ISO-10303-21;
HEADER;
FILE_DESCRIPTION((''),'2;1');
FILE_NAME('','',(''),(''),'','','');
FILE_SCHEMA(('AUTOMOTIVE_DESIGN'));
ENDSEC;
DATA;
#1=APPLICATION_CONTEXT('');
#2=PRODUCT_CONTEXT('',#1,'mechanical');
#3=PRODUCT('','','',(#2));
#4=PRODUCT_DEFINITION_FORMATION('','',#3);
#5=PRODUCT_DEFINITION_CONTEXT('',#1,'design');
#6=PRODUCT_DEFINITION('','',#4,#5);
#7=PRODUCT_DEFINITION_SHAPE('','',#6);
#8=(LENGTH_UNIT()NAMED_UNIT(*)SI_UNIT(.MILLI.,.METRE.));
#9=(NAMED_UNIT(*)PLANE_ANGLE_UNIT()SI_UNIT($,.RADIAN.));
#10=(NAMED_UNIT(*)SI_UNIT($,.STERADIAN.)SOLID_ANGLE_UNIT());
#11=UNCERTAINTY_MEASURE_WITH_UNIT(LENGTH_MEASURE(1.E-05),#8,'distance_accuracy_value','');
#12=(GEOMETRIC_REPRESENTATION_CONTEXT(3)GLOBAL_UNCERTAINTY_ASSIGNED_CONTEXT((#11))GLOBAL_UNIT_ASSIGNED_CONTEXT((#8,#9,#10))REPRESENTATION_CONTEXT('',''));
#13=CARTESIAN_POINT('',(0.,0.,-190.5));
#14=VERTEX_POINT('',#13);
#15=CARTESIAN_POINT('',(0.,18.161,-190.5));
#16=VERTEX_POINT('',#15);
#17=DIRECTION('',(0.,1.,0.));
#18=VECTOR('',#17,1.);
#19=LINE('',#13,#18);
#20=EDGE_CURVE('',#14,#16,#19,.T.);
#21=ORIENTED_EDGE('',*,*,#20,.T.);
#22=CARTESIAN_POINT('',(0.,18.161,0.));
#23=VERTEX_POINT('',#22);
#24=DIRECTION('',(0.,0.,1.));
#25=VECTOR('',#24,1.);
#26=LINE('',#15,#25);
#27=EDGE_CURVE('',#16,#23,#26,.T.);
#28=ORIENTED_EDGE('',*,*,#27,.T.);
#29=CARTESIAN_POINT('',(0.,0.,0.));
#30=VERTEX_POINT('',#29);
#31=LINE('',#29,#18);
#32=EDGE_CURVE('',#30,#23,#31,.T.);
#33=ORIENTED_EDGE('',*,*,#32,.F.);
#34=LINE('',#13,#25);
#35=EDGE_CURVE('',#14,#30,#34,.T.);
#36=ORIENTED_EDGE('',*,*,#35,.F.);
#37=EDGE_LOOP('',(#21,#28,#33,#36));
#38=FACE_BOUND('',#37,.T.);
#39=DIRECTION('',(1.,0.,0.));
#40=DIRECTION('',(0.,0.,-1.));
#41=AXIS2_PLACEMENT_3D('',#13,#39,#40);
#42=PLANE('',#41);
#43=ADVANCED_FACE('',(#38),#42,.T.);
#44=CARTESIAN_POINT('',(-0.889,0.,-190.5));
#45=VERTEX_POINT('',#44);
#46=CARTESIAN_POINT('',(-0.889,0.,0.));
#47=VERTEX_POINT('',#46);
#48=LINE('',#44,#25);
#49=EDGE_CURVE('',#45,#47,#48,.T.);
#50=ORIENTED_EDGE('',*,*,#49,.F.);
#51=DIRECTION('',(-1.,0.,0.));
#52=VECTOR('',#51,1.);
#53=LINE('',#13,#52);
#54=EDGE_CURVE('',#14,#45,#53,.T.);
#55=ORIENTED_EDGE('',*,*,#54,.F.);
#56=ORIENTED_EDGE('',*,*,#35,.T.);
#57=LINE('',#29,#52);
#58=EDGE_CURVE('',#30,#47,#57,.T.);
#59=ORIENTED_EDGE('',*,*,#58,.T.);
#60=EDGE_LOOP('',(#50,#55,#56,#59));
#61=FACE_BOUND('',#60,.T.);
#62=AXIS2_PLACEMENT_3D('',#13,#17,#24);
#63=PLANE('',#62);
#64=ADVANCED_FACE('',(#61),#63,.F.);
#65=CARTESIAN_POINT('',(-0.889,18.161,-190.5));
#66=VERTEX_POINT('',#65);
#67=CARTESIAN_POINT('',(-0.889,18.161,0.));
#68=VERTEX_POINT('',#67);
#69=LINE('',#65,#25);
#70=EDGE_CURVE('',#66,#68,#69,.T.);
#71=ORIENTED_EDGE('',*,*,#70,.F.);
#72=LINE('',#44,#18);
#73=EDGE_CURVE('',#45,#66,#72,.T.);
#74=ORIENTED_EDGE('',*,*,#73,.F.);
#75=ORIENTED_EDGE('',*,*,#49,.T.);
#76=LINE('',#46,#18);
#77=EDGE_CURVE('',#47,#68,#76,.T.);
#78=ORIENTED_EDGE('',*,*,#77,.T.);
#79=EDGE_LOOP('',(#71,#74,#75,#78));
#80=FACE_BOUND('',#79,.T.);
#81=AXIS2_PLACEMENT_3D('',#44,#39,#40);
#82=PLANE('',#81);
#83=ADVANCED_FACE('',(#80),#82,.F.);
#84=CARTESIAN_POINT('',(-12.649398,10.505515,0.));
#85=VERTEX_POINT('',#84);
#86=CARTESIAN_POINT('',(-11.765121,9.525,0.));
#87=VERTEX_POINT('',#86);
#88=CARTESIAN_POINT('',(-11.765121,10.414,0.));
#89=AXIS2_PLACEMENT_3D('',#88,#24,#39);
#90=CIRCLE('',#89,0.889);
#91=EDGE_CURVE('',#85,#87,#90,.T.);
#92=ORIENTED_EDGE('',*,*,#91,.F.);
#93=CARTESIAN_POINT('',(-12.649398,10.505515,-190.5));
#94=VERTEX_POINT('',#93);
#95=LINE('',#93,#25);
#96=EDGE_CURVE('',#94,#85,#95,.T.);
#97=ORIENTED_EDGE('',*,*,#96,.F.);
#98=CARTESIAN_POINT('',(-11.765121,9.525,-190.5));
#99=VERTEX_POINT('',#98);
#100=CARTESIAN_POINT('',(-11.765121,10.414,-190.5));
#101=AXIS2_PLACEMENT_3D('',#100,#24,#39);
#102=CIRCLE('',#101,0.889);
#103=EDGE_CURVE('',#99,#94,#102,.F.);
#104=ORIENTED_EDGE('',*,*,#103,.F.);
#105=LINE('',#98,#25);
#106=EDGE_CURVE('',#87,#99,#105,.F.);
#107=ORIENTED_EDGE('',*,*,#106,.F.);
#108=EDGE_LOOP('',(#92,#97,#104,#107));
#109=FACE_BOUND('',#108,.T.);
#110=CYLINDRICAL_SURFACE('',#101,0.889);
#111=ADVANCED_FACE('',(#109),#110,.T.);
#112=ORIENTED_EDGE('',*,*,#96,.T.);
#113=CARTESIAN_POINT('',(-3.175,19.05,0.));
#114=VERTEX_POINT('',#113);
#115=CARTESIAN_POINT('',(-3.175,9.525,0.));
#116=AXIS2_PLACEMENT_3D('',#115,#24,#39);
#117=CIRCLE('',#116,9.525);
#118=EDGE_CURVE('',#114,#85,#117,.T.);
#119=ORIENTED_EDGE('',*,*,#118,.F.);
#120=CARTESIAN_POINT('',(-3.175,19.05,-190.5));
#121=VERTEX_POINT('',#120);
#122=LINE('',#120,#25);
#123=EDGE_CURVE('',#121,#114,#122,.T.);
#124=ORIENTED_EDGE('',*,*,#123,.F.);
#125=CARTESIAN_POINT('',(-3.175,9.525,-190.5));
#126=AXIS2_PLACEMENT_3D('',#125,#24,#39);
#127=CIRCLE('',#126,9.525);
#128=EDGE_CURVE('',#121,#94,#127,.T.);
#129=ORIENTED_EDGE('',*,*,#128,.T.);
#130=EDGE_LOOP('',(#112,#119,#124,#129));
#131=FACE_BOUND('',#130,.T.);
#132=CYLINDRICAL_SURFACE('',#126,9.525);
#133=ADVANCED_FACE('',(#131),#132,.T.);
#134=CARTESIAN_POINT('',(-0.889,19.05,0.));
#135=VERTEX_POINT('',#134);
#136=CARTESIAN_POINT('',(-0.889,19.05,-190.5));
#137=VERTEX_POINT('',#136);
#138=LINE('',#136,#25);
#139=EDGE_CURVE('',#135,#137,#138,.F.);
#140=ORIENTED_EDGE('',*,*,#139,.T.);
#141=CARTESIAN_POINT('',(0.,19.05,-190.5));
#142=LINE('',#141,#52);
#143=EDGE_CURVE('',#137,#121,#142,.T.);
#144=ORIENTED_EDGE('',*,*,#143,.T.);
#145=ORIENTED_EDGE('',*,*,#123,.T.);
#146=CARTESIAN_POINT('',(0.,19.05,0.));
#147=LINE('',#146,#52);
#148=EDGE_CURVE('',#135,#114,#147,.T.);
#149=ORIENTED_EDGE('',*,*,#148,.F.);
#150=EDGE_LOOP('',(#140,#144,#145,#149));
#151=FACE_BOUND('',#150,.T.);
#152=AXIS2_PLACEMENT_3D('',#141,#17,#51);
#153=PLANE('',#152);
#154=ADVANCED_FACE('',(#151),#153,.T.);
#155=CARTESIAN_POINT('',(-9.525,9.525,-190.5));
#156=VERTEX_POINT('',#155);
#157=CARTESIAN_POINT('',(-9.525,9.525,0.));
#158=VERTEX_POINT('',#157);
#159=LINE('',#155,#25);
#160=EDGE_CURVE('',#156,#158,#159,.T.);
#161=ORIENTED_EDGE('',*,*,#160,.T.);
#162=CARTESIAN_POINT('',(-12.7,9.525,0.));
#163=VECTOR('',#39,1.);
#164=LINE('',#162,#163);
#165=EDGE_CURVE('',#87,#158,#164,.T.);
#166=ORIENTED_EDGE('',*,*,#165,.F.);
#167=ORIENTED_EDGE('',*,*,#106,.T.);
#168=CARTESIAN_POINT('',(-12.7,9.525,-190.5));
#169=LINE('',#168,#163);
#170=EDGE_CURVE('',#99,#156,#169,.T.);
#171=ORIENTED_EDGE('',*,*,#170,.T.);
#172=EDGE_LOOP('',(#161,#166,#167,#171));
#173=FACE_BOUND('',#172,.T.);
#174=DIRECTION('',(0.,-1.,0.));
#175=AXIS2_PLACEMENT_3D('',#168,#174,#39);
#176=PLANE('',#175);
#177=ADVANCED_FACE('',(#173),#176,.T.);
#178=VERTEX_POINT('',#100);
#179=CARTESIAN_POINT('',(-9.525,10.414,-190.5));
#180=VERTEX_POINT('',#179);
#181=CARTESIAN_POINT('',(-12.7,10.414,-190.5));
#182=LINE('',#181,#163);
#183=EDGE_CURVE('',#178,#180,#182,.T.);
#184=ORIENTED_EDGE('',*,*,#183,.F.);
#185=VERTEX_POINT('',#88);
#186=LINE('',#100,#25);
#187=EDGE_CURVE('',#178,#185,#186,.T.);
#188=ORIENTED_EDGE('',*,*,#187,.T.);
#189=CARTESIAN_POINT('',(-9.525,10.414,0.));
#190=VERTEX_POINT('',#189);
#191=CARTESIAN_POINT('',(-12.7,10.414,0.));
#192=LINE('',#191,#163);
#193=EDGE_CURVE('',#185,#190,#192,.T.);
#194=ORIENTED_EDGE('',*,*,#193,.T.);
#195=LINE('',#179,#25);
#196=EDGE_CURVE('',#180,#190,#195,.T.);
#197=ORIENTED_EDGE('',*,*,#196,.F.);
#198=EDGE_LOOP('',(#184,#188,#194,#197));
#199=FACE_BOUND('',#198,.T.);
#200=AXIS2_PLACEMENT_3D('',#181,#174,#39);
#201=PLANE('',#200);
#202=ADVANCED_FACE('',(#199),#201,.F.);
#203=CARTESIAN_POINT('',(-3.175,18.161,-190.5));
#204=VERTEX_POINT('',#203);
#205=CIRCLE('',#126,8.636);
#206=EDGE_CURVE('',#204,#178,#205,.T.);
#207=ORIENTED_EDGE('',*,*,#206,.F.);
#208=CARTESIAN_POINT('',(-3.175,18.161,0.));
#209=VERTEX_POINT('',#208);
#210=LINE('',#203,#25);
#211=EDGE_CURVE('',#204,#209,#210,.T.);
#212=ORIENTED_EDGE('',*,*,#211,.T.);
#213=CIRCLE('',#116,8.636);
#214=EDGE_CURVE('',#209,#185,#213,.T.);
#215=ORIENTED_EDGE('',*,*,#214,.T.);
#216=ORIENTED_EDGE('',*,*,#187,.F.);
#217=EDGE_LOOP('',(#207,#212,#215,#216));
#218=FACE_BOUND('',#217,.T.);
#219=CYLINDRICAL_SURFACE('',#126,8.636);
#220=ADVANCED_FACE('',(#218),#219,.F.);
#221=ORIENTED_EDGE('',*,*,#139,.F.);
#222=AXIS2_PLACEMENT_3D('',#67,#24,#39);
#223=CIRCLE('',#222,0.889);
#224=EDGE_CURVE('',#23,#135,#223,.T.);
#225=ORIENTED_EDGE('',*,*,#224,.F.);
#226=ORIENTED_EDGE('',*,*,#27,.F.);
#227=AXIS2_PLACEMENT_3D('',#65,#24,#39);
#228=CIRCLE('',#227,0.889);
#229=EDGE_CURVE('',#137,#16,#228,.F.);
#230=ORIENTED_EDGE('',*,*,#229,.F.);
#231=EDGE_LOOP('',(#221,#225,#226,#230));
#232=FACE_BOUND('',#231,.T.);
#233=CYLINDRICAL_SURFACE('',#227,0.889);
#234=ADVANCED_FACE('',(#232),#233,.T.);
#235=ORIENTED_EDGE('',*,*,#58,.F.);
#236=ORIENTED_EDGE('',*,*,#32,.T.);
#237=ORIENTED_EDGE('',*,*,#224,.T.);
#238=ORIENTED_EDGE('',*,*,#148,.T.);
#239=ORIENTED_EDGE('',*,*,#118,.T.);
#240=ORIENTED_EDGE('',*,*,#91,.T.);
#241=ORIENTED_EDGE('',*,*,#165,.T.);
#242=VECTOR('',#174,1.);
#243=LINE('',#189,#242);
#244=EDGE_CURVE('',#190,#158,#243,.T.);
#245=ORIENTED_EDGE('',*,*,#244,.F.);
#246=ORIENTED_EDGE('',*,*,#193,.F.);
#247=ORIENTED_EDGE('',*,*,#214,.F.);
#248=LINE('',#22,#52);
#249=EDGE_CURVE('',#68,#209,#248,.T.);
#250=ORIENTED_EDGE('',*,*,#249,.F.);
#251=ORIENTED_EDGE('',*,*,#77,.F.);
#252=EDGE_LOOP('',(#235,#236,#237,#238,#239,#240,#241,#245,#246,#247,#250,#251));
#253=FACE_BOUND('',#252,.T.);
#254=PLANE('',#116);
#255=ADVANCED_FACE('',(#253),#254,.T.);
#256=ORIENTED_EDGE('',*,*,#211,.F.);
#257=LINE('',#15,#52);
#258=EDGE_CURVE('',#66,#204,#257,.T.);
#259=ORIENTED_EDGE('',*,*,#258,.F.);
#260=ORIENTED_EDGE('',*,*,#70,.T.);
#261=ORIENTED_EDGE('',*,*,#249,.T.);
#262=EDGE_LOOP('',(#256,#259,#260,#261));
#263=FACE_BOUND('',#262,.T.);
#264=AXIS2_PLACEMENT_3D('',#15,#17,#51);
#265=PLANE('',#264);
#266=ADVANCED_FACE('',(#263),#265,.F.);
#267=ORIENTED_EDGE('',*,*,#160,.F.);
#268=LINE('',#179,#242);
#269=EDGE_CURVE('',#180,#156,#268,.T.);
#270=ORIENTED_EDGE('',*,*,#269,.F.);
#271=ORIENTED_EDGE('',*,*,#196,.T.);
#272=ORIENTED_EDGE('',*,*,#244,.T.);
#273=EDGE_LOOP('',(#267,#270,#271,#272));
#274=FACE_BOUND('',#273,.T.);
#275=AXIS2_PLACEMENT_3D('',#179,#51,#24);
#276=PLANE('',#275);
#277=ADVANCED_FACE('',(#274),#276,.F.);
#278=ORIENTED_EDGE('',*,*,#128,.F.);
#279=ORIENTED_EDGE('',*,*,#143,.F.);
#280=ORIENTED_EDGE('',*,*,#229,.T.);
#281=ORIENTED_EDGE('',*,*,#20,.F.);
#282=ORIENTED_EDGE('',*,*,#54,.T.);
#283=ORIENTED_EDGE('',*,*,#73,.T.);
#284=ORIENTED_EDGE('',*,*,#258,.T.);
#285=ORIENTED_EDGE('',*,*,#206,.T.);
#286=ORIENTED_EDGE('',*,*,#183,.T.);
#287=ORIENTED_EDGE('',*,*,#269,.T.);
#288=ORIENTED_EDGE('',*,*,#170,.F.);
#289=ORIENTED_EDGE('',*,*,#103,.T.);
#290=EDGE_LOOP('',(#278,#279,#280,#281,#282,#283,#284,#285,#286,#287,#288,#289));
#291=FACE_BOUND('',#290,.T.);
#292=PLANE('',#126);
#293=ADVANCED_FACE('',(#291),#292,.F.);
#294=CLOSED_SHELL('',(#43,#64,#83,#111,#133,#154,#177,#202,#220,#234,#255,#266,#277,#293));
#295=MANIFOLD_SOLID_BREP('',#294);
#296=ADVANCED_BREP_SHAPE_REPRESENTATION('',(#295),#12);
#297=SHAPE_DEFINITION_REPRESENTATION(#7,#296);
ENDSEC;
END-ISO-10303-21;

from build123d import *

# Parameters (mm, degrees)
EXTRUDE_THIN1_DEPTH = 190.5
FILLET1_R           = 0.889


with BuildPart() as part:
    # Sketch1 → Extrude-Thin1 (new body)
    with BuildSketch(Plane.XY):
        with BuildLine():
            Line((0, 0), (0, 19.05))
            Line((0, 19.05), (-3.175, 19.05))
            ThreePointArc((-3.175, 19.05), (-9.910192091, 16.260192091), (-12.7, 9.525))
            Line((-12.7, 9.525), (-9.525, 9.525))
            Line((-9.525, 9.525), (-9.525, 10.414))
            Line((-9.525, 10.414), (-11.765120779, 10.414))
            ThreePointArc((-11.765120779, 10.414), (-8.958731149, 15.938185636), (-3.175, 18.161))
            Line((-3.175, 18.161), (-0.889, 18.161))
            Line((-0.889, 18.161), (-0.889, 0))
            Line((-0.889, 0), (0, 0))
        make_face()
    extrude(amount=-EXTRUDE_THIN1_DEPTH)

    # Fillet1
    fillet1_edges = [part.edges().sort_by_distance(p)[0] for p in [
        (-12.7, 9.525, -95.25),
        (0, 19.05, -95.25),
    ]]
    fillet(fillet1_edges, radius=FILLET1_R)


solid = part.part
